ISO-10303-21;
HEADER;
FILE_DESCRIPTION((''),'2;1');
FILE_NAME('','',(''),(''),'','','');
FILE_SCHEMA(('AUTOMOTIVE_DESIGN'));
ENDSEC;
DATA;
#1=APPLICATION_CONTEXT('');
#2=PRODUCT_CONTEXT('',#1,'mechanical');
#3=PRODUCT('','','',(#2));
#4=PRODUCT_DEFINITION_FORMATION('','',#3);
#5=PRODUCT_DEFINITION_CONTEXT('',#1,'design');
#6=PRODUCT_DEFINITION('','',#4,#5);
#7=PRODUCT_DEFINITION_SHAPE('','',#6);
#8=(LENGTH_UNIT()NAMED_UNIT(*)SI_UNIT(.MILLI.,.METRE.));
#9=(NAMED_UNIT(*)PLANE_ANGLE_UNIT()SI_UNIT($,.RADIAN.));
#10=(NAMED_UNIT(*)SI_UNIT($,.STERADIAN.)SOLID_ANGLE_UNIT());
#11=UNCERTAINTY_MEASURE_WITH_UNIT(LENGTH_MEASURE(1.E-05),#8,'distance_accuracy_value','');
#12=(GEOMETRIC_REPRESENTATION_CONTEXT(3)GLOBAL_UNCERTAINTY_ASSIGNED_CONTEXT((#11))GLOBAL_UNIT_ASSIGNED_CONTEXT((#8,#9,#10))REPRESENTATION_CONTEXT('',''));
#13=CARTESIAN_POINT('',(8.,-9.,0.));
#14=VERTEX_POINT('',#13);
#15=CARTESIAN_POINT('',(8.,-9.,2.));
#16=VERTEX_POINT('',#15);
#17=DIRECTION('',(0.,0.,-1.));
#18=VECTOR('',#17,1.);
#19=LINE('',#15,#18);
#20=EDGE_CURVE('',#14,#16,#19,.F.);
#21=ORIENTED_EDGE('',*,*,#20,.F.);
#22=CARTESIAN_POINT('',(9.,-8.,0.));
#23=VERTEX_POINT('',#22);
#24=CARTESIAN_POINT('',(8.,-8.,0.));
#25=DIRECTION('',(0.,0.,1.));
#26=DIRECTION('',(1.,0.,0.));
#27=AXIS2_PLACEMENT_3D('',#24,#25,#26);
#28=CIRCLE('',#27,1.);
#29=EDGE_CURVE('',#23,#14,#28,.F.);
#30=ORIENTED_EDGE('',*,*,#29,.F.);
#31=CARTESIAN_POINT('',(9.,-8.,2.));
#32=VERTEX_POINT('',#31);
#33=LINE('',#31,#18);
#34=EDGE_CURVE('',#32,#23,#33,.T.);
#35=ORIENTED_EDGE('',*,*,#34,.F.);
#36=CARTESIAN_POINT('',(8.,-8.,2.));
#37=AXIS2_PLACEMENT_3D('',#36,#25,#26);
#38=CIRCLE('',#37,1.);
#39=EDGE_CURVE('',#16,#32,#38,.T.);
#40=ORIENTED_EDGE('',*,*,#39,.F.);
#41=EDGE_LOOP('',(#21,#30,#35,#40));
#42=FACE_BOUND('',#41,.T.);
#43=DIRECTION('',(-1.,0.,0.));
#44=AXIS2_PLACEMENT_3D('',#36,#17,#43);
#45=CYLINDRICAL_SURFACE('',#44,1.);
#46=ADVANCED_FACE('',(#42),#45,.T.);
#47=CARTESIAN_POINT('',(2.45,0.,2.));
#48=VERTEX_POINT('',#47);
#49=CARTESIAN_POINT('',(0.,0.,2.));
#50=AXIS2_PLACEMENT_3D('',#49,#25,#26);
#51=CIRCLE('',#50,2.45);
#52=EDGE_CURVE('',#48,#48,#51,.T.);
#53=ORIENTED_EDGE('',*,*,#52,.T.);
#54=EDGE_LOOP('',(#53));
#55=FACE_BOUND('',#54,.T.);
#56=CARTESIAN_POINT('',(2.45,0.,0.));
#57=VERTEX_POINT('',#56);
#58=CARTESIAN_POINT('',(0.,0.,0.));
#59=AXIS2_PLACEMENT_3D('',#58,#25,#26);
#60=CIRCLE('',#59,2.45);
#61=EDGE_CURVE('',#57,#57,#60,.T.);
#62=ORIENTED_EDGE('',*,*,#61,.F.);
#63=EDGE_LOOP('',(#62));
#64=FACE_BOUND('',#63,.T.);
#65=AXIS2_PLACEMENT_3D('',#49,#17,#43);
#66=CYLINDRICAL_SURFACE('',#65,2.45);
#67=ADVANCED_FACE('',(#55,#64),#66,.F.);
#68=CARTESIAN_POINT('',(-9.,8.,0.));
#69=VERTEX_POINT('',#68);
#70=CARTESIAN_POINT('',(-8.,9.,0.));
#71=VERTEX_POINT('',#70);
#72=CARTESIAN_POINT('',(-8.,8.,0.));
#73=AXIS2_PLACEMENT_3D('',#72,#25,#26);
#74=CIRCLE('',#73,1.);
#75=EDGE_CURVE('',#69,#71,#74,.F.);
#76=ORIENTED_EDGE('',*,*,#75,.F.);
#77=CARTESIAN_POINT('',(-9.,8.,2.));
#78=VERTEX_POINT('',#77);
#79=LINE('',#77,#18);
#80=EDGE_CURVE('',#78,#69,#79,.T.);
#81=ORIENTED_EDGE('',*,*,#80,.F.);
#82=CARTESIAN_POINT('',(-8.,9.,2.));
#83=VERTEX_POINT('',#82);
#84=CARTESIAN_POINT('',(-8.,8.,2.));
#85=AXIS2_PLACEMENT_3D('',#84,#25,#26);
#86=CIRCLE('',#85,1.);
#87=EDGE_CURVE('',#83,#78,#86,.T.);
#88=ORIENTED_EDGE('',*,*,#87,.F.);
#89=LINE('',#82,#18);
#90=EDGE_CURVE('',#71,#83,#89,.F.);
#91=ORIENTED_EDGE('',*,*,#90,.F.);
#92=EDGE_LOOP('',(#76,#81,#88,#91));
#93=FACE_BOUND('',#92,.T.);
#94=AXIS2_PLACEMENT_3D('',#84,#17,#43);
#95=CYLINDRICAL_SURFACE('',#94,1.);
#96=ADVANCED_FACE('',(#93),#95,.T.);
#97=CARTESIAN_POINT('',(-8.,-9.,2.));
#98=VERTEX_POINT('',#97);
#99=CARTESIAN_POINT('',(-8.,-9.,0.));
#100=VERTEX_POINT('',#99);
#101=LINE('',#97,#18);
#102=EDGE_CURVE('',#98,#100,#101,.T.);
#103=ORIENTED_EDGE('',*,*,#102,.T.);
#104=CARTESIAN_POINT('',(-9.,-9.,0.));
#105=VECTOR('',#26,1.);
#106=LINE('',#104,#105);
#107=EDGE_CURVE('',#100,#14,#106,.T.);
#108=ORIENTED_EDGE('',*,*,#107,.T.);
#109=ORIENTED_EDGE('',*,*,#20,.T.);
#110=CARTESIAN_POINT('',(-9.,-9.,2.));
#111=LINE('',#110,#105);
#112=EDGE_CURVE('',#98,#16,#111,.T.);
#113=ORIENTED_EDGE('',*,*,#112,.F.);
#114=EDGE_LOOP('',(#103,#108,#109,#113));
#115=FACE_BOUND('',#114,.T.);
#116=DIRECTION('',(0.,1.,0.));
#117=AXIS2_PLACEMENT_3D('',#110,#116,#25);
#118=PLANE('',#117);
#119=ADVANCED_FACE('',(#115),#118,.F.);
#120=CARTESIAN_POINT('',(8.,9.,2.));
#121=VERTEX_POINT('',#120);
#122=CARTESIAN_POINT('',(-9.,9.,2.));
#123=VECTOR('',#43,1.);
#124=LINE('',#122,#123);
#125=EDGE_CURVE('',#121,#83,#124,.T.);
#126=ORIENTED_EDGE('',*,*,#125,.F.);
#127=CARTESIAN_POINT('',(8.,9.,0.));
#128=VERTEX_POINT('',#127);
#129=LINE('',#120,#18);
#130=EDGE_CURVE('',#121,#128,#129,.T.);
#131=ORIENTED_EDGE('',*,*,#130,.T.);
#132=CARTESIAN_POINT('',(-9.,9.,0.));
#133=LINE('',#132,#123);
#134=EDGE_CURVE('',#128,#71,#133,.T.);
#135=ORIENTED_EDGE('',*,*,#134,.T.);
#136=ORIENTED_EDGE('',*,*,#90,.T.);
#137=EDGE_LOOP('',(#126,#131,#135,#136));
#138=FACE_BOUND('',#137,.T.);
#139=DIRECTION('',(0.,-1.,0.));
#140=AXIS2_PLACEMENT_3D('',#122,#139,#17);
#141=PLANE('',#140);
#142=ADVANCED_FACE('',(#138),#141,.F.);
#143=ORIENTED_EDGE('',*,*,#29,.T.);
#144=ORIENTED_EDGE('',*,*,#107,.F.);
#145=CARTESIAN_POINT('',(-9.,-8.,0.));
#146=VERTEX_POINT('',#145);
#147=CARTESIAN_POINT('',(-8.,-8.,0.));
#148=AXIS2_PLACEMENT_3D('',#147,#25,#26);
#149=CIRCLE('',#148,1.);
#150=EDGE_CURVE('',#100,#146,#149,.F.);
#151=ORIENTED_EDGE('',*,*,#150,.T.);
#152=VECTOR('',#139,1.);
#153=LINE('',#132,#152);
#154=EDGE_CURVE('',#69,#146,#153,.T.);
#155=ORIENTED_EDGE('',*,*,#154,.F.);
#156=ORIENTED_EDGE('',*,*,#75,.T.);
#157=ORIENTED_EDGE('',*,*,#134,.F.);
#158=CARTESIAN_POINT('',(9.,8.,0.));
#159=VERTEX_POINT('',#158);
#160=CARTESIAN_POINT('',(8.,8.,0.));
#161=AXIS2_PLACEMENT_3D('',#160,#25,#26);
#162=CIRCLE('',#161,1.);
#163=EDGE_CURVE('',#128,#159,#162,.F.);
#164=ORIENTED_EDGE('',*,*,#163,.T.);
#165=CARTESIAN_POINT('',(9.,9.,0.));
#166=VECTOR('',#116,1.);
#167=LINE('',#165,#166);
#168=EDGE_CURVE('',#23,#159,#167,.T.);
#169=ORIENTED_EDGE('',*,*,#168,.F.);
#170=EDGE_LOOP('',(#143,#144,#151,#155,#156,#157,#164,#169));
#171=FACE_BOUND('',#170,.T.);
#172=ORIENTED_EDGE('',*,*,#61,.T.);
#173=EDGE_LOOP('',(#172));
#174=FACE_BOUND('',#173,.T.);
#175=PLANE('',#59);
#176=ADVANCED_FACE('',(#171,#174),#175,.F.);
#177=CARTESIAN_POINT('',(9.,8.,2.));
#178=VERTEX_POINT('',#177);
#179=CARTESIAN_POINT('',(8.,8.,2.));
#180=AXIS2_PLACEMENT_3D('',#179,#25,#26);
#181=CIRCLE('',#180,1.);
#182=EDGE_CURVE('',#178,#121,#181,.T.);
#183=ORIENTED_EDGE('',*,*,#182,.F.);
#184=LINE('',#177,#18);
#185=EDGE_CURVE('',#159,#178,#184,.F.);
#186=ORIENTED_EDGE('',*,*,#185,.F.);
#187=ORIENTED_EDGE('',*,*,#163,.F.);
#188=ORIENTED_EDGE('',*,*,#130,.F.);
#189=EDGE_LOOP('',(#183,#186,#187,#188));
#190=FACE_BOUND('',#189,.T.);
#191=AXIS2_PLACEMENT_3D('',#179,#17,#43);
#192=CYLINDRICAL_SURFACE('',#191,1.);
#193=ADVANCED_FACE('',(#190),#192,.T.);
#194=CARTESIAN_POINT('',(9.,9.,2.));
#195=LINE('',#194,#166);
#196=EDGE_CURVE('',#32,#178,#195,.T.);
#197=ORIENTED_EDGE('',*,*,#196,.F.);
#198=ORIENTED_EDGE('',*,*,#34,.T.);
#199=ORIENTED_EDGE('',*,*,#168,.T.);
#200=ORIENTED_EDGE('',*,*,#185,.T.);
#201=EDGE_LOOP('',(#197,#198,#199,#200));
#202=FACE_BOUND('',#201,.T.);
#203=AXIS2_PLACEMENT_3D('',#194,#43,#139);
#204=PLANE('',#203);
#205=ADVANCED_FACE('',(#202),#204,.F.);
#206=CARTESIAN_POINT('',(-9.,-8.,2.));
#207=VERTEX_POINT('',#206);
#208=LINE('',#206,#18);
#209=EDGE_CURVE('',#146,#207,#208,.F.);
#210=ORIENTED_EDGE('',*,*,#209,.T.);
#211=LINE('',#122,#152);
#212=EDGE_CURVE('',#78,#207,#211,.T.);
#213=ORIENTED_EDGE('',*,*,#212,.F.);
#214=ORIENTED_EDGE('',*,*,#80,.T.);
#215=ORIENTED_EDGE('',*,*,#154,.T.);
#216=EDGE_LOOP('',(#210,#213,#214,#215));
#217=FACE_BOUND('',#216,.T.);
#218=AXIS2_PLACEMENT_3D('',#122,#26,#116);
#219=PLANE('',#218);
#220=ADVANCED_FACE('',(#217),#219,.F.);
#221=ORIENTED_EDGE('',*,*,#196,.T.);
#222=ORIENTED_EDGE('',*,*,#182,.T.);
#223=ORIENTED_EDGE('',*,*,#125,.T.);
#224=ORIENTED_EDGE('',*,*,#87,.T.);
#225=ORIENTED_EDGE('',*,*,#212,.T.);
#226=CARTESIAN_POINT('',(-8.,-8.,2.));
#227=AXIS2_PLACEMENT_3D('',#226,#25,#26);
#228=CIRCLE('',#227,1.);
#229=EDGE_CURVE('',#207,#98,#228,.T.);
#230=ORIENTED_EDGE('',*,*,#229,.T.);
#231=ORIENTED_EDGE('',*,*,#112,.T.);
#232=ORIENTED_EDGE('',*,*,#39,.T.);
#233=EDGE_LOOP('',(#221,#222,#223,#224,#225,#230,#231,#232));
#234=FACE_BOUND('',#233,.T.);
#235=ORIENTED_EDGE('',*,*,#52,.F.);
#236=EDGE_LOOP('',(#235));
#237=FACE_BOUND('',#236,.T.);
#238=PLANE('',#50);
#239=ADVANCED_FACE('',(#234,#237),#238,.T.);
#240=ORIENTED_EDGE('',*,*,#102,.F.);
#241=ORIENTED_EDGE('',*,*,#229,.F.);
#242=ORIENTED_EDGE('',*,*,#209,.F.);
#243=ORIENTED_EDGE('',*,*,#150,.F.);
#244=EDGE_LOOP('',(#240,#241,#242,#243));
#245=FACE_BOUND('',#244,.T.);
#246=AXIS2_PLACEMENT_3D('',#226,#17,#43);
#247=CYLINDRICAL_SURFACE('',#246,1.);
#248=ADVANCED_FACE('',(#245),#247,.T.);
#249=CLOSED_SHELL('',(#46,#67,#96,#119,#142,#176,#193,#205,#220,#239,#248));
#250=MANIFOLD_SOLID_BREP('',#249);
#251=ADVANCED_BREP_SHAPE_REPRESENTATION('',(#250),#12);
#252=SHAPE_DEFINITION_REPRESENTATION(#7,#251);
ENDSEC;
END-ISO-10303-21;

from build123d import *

# Parameters (mm, degrees)
SKETCH1_W           = 18
SKETCH1_H           = 18
SKETCH1_R           = 2.45
BOSS_EXTRUDE1_DEPTH = 2
FILLET1_R           = 1


with BuildPart() as part:
    # Sketch1 → Boss-Extrude1 (new body)
    with BuildSketch(Plane.XY):
        Rectangle(SKETCH1_W, SKETCH1_H)
        Circle(SKETCH1_R, mode=Mode.SUBTRACT)
    extrude(amount=BOSS_EXTRUDE1_DEPTH)

    # Fillet1
    fillet1_edges = [part.edges().sort_by_distance(p)[0] for p in [
        (9, -9, 1),
        (-9, -9, 1),
        (-9, 9, 1),
        (9, 9, 1),
    ]]
    fillet(fillet1_edges, radius=FILLET1_R)


solid = part.part
